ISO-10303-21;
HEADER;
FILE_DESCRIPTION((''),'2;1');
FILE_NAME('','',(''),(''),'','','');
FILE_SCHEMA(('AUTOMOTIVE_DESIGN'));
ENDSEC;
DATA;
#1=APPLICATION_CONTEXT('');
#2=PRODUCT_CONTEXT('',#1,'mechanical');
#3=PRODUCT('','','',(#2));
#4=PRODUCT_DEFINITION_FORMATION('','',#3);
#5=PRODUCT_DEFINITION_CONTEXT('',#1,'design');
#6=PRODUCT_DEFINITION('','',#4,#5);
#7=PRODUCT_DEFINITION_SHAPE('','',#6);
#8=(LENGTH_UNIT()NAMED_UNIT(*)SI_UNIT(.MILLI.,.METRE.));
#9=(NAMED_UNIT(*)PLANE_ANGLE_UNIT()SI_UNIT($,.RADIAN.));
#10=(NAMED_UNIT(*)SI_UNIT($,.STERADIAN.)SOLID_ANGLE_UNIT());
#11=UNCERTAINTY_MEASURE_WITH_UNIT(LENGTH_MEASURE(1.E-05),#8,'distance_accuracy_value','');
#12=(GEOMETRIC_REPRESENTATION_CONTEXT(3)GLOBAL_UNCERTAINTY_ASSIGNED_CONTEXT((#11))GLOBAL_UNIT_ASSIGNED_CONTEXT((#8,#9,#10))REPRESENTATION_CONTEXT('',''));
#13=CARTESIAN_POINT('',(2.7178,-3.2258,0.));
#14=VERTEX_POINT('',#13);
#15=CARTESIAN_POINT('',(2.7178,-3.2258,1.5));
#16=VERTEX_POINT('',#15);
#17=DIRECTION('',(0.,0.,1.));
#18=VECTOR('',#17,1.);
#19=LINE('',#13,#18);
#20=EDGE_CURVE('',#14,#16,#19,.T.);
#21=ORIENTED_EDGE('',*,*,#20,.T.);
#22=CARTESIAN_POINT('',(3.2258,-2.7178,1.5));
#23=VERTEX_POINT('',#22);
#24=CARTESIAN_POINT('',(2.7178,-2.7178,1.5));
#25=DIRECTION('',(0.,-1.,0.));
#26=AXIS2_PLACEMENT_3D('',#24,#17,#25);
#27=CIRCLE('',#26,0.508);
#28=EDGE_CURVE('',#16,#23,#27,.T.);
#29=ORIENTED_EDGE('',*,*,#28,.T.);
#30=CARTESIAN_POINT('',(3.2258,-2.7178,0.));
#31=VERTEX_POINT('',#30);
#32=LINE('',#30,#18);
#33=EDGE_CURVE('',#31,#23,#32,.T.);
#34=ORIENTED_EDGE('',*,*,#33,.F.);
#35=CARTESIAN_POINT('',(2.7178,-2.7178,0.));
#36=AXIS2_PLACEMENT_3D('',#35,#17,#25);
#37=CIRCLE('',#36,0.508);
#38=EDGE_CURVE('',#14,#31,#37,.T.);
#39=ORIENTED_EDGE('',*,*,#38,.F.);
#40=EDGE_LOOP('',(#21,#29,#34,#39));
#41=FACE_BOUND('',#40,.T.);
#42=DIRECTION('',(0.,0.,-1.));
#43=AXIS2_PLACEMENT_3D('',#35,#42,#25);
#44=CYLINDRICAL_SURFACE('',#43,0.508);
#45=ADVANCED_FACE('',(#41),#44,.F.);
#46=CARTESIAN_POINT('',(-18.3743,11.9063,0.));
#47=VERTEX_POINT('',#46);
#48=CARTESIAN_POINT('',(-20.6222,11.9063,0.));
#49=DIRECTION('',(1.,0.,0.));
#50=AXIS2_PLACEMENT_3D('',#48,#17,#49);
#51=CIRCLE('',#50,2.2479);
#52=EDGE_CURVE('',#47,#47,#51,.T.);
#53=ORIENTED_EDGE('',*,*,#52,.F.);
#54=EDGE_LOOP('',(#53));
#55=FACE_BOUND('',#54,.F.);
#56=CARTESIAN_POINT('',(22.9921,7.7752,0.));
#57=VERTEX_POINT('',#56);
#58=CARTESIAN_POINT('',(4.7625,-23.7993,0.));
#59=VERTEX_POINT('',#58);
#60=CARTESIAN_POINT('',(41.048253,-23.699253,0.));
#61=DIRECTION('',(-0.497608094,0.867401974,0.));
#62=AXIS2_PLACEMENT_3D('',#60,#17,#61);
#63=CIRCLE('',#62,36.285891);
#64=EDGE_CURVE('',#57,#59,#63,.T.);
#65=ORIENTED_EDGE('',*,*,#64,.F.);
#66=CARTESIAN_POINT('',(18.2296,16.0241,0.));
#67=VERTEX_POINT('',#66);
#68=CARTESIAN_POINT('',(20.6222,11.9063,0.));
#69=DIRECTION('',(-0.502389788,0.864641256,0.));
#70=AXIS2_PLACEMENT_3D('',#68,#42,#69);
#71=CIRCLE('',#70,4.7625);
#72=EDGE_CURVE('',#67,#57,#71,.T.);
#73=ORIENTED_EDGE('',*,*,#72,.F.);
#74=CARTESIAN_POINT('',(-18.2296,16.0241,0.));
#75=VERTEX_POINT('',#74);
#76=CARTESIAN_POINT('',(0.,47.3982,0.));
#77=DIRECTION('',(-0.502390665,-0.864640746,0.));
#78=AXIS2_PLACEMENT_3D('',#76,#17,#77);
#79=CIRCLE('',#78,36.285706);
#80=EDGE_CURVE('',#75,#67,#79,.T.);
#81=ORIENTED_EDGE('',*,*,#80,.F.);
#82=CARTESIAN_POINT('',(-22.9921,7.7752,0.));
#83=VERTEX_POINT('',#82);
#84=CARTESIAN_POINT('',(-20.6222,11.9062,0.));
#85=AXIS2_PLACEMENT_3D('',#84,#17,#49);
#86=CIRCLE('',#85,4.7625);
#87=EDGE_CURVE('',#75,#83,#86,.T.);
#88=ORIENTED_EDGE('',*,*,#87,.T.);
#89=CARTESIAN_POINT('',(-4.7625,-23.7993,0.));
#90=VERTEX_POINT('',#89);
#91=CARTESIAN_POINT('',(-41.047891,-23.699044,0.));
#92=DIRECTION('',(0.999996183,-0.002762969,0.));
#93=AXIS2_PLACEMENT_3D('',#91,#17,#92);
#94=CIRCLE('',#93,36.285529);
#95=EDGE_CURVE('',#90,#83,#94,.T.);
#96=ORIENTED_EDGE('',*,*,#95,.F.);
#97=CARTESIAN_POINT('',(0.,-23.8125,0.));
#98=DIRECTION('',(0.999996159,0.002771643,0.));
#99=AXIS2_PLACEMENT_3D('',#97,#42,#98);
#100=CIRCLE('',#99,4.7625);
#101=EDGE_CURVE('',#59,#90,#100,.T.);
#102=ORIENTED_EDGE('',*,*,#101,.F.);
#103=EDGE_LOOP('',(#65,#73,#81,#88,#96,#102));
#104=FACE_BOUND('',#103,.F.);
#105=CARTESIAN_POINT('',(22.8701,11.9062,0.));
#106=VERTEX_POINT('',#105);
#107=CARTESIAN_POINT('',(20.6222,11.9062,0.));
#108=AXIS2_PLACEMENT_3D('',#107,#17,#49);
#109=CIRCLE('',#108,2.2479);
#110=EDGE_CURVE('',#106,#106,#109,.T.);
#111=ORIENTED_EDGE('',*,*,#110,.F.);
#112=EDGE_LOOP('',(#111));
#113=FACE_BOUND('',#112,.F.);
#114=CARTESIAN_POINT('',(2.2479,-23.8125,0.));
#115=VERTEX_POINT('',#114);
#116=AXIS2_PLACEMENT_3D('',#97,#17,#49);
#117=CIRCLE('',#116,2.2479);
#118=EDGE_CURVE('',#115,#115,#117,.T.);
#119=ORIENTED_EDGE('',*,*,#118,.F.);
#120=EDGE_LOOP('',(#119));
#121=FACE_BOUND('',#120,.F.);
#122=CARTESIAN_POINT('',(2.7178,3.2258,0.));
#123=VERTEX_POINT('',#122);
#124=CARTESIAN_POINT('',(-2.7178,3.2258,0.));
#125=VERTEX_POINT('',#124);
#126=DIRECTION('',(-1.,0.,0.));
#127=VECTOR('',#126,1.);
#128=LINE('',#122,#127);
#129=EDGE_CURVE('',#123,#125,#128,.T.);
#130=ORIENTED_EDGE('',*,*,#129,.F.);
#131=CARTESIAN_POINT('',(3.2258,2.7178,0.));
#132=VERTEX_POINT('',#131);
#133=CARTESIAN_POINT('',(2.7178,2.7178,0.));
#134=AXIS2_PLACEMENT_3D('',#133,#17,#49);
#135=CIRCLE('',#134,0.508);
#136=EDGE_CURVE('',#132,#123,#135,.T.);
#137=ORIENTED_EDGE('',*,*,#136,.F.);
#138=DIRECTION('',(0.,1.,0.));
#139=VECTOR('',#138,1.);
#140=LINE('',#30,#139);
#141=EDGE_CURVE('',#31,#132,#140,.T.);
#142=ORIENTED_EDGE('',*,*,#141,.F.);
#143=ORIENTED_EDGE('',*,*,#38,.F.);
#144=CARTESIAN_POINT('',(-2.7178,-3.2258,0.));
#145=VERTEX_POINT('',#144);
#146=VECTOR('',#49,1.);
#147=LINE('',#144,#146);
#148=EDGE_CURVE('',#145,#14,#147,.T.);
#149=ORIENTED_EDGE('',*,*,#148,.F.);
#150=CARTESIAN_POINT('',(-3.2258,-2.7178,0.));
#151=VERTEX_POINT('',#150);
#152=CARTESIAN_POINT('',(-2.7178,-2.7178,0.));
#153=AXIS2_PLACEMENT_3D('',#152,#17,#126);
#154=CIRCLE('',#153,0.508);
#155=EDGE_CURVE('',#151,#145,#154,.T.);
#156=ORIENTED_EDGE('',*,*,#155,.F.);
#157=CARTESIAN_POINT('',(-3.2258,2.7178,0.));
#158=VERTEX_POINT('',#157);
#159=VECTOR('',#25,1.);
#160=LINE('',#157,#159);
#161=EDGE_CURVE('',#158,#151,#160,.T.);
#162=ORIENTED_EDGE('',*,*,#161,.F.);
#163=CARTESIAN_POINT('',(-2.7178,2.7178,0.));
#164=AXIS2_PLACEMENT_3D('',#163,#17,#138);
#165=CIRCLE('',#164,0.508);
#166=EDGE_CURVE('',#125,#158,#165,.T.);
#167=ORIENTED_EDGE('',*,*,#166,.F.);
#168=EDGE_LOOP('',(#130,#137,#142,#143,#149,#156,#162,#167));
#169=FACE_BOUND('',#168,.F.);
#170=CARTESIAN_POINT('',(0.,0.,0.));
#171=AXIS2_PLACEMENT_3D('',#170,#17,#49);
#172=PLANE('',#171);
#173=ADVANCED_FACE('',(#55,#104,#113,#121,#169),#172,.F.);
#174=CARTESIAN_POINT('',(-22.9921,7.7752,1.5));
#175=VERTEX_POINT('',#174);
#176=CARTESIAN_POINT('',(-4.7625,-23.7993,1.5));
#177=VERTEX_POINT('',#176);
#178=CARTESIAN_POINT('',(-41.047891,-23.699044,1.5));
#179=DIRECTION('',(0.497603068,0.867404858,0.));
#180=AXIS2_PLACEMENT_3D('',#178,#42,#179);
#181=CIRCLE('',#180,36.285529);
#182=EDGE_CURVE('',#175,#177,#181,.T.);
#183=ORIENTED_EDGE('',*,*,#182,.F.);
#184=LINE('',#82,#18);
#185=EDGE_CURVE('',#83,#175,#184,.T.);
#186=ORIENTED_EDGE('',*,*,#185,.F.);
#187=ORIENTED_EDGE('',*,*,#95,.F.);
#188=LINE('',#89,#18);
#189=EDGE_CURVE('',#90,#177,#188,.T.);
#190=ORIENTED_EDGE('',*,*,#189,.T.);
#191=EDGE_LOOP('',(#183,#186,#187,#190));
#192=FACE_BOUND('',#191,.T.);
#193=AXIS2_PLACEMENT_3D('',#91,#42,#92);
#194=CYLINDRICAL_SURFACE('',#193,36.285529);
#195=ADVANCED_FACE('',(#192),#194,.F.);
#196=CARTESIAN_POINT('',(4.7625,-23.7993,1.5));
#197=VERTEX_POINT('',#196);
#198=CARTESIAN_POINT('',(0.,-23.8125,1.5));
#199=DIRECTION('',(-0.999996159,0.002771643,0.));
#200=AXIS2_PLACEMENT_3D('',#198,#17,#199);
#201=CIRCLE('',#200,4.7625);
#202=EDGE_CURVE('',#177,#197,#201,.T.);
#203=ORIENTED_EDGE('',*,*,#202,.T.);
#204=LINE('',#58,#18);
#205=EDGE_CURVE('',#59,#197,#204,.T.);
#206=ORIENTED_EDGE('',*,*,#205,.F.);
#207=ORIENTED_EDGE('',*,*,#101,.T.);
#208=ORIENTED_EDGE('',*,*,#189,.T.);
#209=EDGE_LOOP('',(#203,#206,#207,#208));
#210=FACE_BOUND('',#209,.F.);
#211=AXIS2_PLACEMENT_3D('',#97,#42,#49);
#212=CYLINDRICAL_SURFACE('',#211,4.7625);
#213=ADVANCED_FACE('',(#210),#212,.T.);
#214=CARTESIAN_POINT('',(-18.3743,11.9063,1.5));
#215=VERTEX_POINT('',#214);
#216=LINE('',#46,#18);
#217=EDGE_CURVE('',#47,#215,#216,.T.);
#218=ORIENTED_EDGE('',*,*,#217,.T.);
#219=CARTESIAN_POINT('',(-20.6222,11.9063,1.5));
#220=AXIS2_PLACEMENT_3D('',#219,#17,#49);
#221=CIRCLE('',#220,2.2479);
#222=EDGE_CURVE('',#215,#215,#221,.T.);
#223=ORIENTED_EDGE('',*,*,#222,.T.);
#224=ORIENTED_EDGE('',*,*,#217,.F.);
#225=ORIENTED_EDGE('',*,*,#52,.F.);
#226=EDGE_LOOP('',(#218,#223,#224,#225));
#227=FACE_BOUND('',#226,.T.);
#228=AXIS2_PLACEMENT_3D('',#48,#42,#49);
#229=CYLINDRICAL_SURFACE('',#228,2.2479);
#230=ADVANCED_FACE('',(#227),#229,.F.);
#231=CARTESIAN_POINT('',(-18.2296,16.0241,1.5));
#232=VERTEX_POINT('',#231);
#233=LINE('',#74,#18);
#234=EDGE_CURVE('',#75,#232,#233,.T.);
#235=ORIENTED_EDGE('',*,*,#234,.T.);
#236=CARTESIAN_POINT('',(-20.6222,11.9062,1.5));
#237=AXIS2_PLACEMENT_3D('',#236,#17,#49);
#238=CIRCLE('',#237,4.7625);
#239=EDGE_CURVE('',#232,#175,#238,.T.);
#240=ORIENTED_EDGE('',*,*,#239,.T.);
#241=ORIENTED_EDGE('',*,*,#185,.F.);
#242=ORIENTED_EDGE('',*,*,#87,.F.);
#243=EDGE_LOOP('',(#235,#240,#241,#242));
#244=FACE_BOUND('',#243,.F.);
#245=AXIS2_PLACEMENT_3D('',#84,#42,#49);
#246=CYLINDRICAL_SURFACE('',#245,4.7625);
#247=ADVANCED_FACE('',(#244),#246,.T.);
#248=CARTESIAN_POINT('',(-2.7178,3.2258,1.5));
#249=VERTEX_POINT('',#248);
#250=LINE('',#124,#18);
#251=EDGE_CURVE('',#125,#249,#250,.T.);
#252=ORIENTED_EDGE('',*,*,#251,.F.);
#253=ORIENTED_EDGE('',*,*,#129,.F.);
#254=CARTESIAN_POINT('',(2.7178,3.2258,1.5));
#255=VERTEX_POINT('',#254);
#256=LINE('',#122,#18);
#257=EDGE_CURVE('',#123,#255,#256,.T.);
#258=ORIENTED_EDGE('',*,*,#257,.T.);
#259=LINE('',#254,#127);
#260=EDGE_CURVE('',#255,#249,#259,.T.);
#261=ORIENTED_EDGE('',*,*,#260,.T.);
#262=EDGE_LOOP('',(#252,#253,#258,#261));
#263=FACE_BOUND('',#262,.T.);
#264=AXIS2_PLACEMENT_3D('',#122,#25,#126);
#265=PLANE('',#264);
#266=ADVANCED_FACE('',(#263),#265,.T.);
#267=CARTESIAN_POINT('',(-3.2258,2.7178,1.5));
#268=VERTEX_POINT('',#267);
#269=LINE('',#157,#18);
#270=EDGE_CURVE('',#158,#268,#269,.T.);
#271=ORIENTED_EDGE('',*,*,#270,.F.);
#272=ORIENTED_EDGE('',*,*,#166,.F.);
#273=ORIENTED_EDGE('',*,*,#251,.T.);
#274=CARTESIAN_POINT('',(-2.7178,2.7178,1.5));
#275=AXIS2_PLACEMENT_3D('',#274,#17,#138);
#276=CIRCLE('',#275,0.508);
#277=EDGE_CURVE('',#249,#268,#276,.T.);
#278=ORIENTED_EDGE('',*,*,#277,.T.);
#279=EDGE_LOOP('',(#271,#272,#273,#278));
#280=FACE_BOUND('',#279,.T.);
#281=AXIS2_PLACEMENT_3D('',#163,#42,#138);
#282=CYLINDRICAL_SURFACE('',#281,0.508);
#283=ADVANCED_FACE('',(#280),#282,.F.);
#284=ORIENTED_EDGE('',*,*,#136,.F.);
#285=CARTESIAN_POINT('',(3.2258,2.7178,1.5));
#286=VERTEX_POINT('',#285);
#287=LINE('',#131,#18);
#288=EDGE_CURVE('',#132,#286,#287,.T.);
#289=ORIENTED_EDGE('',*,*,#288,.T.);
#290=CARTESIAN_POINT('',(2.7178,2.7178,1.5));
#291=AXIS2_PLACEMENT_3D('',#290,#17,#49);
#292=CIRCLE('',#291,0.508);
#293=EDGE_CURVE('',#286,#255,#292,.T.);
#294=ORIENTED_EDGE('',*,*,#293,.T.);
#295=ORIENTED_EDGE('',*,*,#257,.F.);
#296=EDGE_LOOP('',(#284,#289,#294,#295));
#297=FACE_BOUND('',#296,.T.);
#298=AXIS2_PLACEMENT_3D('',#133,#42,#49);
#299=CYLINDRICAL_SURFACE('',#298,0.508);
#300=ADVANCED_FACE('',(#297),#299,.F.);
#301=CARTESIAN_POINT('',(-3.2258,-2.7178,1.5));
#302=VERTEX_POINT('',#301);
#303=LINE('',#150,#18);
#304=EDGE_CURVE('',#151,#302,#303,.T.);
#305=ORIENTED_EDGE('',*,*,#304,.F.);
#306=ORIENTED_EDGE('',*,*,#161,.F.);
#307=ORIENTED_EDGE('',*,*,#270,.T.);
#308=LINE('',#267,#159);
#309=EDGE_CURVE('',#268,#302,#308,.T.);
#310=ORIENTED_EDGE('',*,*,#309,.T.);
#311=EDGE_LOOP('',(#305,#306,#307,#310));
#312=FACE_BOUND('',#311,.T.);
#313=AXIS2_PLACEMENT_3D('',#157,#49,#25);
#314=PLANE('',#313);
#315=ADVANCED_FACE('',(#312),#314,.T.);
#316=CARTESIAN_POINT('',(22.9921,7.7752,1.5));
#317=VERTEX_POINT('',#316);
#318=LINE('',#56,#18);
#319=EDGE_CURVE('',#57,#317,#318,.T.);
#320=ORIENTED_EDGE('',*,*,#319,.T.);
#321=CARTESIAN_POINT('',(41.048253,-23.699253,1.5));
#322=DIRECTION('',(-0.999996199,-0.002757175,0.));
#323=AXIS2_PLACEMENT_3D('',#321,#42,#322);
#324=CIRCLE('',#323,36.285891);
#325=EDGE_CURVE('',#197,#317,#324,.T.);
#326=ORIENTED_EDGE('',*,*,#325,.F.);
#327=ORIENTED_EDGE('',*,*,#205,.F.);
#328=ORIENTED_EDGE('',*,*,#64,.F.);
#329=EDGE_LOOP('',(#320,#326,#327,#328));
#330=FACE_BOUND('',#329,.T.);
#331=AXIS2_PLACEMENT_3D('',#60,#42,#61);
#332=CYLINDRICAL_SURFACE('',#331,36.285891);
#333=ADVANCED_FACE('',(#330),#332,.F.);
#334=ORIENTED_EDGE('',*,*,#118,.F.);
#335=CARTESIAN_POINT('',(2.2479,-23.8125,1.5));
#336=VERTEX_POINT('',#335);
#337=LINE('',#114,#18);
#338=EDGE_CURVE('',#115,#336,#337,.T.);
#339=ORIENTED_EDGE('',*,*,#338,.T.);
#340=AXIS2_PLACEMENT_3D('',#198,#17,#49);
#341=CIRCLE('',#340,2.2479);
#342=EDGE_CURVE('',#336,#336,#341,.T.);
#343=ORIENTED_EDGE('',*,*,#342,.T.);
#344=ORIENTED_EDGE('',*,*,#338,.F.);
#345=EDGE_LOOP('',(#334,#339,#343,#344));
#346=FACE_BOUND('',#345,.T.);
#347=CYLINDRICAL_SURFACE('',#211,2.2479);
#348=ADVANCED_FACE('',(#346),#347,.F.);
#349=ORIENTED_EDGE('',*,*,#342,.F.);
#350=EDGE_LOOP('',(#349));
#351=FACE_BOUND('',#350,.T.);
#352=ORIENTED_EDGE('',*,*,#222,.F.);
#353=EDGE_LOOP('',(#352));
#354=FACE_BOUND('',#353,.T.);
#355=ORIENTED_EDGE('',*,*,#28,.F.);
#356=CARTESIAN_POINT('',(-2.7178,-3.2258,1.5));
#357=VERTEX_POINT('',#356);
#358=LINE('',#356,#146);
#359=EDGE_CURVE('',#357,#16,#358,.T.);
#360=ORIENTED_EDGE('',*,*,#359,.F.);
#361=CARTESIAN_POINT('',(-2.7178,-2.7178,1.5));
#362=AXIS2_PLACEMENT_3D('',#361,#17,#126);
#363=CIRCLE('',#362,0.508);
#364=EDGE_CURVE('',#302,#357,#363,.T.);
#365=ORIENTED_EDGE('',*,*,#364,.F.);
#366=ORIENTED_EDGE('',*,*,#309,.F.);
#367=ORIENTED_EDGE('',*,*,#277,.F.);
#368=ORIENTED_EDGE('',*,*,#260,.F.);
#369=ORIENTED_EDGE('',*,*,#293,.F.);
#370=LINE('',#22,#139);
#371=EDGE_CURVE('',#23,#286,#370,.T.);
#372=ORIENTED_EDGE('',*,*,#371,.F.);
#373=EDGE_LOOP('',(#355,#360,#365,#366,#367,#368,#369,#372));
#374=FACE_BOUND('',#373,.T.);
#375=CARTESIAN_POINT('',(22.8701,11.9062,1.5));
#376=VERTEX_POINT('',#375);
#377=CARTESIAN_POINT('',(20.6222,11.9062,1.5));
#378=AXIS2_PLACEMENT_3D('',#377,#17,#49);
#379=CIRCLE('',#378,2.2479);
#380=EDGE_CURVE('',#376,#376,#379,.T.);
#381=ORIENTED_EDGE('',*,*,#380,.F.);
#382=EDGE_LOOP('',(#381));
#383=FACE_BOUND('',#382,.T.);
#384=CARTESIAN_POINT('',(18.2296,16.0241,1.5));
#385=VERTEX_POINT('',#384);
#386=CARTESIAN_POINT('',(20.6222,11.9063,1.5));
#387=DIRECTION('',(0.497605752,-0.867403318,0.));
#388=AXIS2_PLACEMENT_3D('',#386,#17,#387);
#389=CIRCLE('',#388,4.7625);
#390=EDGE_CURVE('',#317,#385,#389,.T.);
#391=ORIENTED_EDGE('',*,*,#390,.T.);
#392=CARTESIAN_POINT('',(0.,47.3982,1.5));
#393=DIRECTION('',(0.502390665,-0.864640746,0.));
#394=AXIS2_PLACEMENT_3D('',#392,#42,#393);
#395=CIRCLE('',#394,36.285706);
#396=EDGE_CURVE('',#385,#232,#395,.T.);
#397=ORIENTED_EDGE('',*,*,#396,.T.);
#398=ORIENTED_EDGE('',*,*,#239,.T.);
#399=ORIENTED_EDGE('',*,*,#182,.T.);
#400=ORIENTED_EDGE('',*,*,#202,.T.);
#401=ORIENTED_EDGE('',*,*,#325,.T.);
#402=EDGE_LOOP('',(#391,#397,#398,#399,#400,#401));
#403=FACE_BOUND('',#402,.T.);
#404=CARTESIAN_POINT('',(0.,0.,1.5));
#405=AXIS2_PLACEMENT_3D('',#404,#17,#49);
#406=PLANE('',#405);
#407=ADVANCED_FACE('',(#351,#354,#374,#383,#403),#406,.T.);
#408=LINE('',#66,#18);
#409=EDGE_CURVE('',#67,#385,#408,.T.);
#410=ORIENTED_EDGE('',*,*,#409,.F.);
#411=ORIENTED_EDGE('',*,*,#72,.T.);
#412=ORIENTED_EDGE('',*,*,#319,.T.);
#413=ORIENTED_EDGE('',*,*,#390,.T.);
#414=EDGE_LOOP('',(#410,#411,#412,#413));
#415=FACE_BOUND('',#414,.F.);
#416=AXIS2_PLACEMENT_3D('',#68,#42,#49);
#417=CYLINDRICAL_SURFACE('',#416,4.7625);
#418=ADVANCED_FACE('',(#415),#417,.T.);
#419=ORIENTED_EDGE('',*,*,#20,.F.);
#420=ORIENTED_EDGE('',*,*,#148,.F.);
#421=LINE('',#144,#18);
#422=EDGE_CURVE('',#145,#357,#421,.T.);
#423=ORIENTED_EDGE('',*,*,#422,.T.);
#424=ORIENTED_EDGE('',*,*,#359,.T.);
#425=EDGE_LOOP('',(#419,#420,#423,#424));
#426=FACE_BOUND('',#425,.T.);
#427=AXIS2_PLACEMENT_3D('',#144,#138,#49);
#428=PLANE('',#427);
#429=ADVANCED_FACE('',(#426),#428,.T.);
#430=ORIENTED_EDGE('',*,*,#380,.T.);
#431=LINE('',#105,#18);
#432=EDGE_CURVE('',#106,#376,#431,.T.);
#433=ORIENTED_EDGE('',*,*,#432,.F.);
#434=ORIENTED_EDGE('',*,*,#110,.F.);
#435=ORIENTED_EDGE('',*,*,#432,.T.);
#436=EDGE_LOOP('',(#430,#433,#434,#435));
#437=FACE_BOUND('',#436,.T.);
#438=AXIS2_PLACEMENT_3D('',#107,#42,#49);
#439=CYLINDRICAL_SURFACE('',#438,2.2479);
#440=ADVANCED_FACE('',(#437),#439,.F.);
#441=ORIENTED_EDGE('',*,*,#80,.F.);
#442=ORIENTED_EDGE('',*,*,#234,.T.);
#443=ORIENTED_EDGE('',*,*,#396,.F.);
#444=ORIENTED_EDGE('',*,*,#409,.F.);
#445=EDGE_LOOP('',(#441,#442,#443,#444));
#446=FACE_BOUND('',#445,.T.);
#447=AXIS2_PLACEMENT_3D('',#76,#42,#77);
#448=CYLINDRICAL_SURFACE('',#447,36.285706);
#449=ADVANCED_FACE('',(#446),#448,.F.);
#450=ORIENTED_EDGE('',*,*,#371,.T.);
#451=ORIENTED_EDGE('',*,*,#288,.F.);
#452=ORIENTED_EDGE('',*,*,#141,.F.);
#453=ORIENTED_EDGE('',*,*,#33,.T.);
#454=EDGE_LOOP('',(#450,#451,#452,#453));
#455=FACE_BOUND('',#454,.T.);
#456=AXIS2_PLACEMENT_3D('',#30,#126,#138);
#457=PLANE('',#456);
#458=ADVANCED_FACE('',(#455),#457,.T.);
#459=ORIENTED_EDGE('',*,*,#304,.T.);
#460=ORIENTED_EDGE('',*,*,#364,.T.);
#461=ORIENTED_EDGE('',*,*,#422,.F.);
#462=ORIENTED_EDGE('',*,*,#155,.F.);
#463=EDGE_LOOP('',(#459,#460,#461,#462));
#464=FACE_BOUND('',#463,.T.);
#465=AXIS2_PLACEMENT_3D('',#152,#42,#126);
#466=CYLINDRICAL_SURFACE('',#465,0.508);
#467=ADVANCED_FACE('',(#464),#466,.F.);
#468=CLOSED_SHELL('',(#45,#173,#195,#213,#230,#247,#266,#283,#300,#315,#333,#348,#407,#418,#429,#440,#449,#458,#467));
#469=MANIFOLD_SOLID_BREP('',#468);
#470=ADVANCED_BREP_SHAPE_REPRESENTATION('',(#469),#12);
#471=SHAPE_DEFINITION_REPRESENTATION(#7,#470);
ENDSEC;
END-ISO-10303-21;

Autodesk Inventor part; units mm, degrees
ref_plane "YZ Plane" through (0, 0, 0) normal (1, 0, 0) x (0, 1, 0)
ref_plane "XZ Plane" through (0, 0, 0) normal (0, 1, 0) x (-1, 0, 0)
ref_plane "XY Plane" through (0, 0, 0) normal (0, 0, 1) x (1, 0, 0)
ref_plane "Work Plane1" through (0, 0, 0) normal (0, 0, 1) x (1, 0, 0)
sketch "Sketch1" plane through (0, 0, 0) normal (0, 0, 1) x (1, 0, 0)
  circle A0 centre (0, -23.8125) radius 2.1526 construction
  circle A1 centre (20.6222, 11.9063) radius 2.1526 construction
  circle A2 centre (-20.6222, 11.9062) radius 2.1526 construction
  line L0 (2.7178, 3.2258) -> (-2.7178, 3.2258)
  line L1 (-3.2258, 2.7178) -> (-3.2258, -2.7178)
  line L2 (-2.7178, -3.2258) -> (2.7178, -3.2258)
  line L3 (3.2258, -2.7178) -> (3.2258, 2.7178)
  line L4 (3.2258, 3.2258) -> (-3.2258, -3.2258) construction
  line L5 (-3.2258, 3.2258) -> (3.2258, -3.2258) construction
  arc A3 (2.7178, -3.2258) -> (3.2258, -2.7178) centre (2.7178, -2.7178) ccw
  arc A4 (-3.2258, -2.7178) -> (-2.7178, -3.2258) centre (-2.7178, -2.7178) ccw
  arc A5 (-2.7178, 3.2258) -> (-3.2258, 2.7178) centre (-2.7178, 2.7178) ccw
  arc A6 (3.2258, 2.7178) -> (2.7178, 3.2258) centre (2.7178, 2.7178) ccw
  circle A7 centre (0, 0) radius 11.1125
  circle A8 centre (0, -23.8125) radius 4.7625
  circle A9 centre (-20.6222, 11.9062) radius 4.7625
  circle A10 centre (20.6222, 11.9063) radius 4.7625
  arc A11 (22.9921, 7.7752) -> (4.7625, -23.7993) centre (41.0481, -23.6991) ccw
  arc A12 (-18.2296, 16.0241) -> (18.2296, 16.0241) centre (0, 47.3982) ccw
  arc A13 (-4.7625, -23.7993) -> (-22.9921, 7.7752) centre (-41.0481, -23.6991) ccw
  circle A14 centre (0, -23.8125) radius 2.2479
  circle A15 centre (20.6222, 11.9062) radius 2.2479
  circle A16 centre (-20.6222, 11.9063) radius 2.2479
  point P0 (18.2296, 16.0241)
  point P1 (-18.2296, 16.0241)
  point P2 (-22.9921, 7.7752)
  point P3 (-4.7625, -23.7993)
  dimension "d3" = 9.525
  dimension "d0" = 0.508
  dimension "d1" = 6.4516
  dimension "d2" = 22.225
  dimension "d6" = 360
  dimension "d8" = 4.4958
  dimension "d11" = 360
extrude "Extrusion1" add sketch "Sketch1" along normal blind 1.5
properties part number "3in flex wheel holder"
